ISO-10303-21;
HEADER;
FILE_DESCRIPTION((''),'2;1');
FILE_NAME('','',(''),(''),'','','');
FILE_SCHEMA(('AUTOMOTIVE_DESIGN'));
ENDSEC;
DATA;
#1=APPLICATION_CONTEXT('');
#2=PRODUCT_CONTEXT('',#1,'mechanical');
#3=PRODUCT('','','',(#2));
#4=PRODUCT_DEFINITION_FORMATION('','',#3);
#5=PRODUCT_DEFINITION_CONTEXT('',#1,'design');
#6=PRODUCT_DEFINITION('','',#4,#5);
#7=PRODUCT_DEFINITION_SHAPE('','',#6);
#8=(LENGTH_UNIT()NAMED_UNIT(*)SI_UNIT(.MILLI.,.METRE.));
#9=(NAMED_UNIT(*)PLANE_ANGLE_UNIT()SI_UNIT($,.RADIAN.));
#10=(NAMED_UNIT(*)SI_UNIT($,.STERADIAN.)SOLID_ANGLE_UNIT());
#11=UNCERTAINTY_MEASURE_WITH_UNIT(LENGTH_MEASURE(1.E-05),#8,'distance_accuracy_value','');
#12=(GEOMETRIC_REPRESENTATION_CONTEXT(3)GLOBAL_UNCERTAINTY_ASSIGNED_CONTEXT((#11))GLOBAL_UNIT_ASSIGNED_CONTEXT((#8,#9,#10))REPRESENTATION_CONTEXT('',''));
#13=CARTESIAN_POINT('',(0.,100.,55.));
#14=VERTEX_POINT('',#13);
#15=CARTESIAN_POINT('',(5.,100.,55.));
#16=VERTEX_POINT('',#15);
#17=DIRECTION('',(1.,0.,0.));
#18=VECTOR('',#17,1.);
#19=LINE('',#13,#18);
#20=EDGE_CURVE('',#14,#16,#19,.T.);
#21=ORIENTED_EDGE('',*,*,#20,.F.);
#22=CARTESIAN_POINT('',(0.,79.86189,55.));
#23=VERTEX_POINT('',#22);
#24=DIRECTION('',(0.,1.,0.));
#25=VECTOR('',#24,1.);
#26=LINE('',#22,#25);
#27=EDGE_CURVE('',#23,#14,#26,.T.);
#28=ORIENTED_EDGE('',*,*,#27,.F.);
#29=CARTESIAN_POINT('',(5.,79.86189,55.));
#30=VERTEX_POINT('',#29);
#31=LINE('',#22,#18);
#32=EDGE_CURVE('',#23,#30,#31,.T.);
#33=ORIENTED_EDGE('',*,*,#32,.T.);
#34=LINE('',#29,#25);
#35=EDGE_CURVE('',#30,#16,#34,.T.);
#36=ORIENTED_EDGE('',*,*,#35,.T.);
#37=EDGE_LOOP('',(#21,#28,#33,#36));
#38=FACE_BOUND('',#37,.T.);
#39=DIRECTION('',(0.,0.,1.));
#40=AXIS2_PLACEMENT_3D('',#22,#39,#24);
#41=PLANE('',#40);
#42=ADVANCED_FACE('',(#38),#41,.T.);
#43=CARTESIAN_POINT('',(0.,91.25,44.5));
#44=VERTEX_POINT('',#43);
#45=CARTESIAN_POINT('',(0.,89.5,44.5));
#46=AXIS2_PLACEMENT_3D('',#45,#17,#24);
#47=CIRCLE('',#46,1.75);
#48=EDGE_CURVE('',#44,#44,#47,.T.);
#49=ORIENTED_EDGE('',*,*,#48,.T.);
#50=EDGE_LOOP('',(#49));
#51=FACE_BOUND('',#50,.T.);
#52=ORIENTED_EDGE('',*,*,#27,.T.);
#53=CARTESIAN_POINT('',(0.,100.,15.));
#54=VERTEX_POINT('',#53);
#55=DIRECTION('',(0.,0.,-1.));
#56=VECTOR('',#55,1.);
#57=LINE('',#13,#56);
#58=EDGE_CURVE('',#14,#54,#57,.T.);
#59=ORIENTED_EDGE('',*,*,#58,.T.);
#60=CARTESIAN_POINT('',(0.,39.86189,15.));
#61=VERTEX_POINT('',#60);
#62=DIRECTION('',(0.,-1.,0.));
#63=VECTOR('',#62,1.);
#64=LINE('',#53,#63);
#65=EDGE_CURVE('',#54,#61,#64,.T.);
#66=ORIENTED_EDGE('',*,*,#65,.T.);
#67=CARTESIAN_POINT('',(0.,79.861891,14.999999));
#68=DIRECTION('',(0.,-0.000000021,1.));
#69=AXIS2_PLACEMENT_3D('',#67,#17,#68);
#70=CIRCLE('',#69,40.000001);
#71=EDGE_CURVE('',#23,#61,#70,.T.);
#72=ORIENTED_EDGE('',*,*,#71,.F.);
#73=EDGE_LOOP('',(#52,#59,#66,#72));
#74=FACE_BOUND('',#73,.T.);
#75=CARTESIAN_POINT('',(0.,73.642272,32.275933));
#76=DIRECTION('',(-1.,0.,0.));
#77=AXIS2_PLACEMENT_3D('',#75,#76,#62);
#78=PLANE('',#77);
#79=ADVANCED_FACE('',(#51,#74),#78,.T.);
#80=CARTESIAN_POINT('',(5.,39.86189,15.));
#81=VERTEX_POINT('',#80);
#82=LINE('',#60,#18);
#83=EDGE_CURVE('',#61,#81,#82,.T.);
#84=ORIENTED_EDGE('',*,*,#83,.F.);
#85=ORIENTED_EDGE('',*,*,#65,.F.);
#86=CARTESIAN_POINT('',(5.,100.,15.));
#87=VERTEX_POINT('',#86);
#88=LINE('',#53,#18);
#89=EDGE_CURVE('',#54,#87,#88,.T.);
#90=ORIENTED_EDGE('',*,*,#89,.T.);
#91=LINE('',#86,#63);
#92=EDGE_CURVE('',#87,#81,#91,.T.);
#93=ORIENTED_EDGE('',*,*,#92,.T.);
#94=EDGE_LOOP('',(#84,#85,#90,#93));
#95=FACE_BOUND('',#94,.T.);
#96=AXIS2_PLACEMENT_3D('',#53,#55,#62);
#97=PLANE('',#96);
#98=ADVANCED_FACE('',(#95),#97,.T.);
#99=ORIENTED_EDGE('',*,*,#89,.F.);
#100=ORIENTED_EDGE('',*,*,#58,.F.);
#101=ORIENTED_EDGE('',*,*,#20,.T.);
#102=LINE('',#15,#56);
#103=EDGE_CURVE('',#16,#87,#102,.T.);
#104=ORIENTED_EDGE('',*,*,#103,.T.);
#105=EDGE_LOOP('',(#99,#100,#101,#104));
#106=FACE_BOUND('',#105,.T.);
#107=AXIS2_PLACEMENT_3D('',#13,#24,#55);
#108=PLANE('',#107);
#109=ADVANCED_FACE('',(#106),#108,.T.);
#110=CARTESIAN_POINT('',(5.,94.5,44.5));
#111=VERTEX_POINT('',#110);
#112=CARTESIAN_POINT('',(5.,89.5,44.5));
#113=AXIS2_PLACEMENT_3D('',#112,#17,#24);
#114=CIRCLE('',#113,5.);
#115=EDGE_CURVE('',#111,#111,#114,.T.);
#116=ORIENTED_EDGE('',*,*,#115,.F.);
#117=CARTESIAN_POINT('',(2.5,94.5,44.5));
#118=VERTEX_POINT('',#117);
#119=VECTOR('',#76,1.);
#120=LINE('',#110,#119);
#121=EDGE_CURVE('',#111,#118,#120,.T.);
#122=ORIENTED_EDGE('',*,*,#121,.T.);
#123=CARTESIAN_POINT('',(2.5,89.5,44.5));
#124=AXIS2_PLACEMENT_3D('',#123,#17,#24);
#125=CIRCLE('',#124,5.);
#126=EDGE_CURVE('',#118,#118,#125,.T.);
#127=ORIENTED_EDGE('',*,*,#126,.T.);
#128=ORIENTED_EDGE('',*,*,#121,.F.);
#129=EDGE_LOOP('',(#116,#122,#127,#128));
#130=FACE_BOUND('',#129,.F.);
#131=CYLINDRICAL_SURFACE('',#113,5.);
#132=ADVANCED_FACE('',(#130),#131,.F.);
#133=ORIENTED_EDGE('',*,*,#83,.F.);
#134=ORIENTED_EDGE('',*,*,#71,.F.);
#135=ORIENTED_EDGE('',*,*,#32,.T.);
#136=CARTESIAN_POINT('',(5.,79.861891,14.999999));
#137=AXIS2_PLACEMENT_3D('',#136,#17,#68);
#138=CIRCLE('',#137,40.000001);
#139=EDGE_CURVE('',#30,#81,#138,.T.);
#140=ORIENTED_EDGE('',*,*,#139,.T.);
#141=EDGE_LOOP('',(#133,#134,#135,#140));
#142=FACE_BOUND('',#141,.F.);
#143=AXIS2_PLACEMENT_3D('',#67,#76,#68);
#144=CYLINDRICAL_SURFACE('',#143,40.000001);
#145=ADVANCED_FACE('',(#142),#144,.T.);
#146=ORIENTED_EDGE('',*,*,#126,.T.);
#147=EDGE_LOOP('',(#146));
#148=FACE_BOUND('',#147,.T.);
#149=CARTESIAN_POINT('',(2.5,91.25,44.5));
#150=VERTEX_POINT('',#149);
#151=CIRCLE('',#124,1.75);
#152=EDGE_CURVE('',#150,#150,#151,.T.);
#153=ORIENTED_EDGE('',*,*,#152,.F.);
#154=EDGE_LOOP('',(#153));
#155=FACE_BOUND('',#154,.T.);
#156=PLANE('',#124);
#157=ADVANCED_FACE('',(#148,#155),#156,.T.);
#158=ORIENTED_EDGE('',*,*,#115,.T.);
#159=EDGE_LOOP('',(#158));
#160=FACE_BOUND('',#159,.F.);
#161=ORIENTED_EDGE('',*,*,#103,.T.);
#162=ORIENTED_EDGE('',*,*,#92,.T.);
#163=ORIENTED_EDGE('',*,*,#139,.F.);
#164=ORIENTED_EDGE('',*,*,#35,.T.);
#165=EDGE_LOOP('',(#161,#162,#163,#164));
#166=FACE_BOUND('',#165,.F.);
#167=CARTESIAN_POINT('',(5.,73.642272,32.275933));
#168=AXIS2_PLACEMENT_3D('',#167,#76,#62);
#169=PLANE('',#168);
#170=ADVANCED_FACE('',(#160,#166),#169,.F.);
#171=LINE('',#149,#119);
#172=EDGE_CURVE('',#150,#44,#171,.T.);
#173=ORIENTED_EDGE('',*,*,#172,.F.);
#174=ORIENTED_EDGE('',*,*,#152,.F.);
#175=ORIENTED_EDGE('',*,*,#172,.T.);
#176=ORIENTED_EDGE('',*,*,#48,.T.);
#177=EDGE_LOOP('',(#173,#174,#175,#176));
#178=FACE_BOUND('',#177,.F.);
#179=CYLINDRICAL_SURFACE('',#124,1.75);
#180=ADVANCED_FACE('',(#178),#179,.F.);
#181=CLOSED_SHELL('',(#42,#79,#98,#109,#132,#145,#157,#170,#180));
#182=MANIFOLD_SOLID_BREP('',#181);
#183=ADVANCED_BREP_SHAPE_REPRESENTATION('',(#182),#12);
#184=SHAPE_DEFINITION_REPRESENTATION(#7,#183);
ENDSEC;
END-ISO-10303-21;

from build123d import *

# Parameters (mm, degrees)
PAD_DEPTH       = 5
SKETCH001_R     = 5
POCKET_DEPTH    = 2.5
SKETCH002_R     = 1.75
POCKET001_DEPTH = 5


with BuildPart() as part:
    # Sketch (on YZ_Plane of Origin) → Pad (new body)
    with BuildSketch(Plane.YZ):
        with BuildLine():
            Line((100, 15), (39.86189, 15))
            ThreePointArc((79.86189, 55), (51.577619, 43.284271), (39.86189, 15))
            Line((79.86189, 55), (100, 55))
            Line((100, 55), (100, 15))
        make_face()
    extrude(amount=PAD_DEPTH)

    # Sketch001 (on Face6 of Pad) → Pocket (cut)
    with BuildSketch(Plane.YZ.offset(5)):
        with Locations((89.5, 44.5)):
            Circle(SKETCH001_R)
    extrude(amount=-POCKET_DEPTH, mode=Mode.SUBTRACT)

    # Sketch002 (on Face8 of Pocket) → Pocket001 (cut)
    with BuildSketch(Plane.YZ.offset(2.5)):
        with Locations((89.5, 44.5)):
            Circle(SKETCH002_R)
    extrude(amount=-POCKET001_DEPTH, mode=Mode.SUBTRACT)


solid = part.part
